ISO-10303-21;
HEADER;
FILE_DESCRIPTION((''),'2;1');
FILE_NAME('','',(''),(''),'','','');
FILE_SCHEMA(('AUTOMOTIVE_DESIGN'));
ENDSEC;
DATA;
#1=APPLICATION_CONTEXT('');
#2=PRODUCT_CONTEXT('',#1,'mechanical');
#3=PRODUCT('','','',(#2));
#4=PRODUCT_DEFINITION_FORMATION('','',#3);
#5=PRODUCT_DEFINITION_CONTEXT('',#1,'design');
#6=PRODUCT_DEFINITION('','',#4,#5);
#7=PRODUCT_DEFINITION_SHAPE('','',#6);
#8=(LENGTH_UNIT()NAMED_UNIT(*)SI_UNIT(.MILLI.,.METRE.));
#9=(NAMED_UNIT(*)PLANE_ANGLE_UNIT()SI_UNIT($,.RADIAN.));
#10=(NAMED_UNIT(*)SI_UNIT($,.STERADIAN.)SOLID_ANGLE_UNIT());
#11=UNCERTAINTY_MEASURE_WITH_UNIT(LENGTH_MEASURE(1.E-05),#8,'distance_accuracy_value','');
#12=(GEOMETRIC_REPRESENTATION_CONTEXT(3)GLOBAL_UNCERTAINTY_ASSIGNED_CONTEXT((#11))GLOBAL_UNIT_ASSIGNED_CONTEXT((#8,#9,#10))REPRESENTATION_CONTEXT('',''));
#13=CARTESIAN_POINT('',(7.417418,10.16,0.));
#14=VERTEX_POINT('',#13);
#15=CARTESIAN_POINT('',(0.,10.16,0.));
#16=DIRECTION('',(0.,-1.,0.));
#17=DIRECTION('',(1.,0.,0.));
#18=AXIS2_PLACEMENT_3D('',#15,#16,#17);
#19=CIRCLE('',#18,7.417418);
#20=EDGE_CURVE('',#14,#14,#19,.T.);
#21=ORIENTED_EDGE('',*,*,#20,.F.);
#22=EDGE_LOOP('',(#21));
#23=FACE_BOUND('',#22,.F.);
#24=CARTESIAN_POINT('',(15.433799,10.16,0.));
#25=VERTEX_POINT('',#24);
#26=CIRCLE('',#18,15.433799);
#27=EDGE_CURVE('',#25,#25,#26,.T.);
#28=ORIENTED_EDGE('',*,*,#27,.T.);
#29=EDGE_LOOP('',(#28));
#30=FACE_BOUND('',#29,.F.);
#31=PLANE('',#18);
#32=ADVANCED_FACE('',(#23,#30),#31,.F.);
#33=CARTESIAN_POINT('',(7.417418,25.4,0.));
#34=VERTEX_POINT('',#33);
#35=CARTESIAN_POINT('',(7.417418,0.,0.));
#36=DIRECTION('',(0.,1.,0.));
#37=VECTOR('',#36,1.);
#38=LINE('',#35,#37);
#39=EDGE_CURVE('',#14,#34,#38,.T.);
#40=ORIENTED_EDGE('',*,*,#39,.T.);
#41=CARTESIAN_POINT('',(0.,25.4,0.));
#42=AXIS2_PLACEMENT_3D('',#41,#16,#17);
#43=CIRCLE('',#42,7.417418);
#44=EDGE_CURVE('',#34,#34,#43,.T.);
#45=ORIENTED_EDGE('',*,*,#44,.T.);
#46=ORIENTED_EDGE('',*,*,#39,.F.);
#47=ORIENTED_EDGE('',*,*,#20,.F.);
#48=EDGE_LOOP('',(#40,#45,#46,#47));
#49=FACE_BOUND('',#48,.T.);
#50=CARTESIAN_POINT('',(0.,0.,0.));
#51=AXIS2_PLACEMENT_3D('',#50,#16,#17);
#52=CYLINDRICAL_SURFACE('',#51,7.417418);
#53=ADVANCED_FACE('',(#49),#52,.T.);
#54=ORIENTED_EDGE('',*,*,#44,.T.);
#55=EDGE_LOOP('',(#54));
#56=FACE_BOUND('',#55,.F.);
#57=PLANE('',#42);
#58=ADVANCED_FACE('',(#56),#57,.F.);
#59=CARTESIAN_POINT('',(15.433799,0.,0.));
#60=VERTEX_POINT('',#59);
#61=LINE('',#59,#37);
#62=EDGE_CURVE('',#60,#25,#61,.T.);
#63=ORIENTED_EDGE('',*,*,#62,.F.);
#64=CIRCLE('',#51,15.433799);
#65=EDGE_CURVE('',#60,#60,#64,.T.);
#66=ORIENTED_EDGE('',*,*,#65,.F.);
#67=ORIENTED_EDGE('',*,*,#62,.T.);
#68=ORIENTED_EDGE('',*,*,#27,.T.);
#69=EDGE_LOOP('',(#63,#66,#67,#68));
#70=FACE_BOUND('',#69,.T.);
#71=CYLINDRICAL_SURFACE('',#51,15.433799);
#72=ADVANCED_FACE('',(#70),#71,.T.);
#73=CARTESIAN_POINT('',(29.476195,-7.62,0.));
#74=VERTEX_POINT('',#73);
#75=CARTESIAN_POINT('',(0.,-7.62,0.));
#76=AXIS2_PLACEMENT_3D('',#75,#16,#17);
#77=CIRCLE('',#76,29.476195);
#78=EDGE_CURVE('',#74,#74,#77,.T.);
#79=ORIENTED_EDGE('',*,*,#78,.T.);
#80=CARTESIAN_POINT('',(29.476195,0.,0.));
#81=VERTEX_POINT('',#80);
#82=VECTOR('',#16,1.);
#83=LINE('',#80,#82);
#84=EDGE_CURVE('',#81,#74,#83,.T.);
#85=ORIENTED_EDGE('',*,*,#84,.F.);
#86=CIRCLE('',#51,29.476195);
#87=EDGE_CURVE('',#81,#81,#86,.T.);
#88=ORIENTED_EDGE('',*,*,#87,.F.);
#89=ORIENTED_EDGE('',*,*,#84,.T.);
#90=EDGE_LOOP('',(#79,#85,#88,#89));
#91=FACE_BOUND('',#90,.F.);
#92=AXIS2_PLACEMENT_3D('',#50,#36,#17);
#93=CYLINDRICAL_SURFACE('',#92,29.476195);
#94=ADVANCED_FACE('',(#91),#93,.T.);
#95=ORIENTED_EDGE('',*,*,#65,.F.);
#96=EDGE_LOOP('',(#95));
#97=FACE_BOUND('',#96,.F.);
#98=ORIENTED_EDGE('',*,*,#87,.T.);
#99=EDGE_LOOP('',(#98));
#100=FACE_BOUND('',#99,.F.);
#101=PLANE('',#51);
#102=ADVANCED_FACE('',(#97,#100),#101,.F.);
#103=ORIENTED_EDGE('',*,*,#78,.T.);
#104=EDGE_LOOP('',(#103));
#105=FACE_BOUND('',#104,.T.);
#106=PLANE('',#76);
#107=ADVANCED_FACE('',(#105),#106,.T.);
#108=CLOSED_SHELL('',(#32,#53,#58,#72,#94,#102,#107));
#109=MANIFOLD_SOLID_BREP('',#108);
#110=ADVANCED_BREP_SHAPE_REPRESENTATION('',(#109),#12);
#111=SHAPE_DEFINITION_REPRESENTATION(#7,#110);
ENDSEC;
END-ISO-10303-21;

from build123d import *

# Parameters (mm, degrees)
F0_R     = 29.4761945826
F0_R_2   = 15.4337989403
F0_R_3   = 7.4174177389
F1_DEPTH = 7.62
F2_DEPTH = 10.16
F3_DEPTH = 25.4


with BuildPart() as f1:
    # F0 (on Front) → F1 (new body)
    with BuildSketch(Plane.XZ):
        Circle(F0_R)
        Circle(F0_R_2, mode=Mode.SUBTRACT)
        Circle(F0_R_2)
        Circle(F0_R_3, mode=Mode.SUBTRACT)
        Circle(F0_R_3)
    extrude(amount=F1_DEPTH)

    # F0 (on Front) → F2 (join)
    with BuildSketch(Plane.XZ):
        Circle(F0_R_2)
        Circle(F0_R_3, mode=Mode.SUBTRACT)
        Circle(F0_R_3)
    extrude(amount=-F2_DEPTH)

    # F0 (on Front) → F3 (join)
    with BuildSketch(Plane.XZ):
        Circle(F0_R_3)
    extrude(amount=-F3_DEPTH)


solid = f1.part
